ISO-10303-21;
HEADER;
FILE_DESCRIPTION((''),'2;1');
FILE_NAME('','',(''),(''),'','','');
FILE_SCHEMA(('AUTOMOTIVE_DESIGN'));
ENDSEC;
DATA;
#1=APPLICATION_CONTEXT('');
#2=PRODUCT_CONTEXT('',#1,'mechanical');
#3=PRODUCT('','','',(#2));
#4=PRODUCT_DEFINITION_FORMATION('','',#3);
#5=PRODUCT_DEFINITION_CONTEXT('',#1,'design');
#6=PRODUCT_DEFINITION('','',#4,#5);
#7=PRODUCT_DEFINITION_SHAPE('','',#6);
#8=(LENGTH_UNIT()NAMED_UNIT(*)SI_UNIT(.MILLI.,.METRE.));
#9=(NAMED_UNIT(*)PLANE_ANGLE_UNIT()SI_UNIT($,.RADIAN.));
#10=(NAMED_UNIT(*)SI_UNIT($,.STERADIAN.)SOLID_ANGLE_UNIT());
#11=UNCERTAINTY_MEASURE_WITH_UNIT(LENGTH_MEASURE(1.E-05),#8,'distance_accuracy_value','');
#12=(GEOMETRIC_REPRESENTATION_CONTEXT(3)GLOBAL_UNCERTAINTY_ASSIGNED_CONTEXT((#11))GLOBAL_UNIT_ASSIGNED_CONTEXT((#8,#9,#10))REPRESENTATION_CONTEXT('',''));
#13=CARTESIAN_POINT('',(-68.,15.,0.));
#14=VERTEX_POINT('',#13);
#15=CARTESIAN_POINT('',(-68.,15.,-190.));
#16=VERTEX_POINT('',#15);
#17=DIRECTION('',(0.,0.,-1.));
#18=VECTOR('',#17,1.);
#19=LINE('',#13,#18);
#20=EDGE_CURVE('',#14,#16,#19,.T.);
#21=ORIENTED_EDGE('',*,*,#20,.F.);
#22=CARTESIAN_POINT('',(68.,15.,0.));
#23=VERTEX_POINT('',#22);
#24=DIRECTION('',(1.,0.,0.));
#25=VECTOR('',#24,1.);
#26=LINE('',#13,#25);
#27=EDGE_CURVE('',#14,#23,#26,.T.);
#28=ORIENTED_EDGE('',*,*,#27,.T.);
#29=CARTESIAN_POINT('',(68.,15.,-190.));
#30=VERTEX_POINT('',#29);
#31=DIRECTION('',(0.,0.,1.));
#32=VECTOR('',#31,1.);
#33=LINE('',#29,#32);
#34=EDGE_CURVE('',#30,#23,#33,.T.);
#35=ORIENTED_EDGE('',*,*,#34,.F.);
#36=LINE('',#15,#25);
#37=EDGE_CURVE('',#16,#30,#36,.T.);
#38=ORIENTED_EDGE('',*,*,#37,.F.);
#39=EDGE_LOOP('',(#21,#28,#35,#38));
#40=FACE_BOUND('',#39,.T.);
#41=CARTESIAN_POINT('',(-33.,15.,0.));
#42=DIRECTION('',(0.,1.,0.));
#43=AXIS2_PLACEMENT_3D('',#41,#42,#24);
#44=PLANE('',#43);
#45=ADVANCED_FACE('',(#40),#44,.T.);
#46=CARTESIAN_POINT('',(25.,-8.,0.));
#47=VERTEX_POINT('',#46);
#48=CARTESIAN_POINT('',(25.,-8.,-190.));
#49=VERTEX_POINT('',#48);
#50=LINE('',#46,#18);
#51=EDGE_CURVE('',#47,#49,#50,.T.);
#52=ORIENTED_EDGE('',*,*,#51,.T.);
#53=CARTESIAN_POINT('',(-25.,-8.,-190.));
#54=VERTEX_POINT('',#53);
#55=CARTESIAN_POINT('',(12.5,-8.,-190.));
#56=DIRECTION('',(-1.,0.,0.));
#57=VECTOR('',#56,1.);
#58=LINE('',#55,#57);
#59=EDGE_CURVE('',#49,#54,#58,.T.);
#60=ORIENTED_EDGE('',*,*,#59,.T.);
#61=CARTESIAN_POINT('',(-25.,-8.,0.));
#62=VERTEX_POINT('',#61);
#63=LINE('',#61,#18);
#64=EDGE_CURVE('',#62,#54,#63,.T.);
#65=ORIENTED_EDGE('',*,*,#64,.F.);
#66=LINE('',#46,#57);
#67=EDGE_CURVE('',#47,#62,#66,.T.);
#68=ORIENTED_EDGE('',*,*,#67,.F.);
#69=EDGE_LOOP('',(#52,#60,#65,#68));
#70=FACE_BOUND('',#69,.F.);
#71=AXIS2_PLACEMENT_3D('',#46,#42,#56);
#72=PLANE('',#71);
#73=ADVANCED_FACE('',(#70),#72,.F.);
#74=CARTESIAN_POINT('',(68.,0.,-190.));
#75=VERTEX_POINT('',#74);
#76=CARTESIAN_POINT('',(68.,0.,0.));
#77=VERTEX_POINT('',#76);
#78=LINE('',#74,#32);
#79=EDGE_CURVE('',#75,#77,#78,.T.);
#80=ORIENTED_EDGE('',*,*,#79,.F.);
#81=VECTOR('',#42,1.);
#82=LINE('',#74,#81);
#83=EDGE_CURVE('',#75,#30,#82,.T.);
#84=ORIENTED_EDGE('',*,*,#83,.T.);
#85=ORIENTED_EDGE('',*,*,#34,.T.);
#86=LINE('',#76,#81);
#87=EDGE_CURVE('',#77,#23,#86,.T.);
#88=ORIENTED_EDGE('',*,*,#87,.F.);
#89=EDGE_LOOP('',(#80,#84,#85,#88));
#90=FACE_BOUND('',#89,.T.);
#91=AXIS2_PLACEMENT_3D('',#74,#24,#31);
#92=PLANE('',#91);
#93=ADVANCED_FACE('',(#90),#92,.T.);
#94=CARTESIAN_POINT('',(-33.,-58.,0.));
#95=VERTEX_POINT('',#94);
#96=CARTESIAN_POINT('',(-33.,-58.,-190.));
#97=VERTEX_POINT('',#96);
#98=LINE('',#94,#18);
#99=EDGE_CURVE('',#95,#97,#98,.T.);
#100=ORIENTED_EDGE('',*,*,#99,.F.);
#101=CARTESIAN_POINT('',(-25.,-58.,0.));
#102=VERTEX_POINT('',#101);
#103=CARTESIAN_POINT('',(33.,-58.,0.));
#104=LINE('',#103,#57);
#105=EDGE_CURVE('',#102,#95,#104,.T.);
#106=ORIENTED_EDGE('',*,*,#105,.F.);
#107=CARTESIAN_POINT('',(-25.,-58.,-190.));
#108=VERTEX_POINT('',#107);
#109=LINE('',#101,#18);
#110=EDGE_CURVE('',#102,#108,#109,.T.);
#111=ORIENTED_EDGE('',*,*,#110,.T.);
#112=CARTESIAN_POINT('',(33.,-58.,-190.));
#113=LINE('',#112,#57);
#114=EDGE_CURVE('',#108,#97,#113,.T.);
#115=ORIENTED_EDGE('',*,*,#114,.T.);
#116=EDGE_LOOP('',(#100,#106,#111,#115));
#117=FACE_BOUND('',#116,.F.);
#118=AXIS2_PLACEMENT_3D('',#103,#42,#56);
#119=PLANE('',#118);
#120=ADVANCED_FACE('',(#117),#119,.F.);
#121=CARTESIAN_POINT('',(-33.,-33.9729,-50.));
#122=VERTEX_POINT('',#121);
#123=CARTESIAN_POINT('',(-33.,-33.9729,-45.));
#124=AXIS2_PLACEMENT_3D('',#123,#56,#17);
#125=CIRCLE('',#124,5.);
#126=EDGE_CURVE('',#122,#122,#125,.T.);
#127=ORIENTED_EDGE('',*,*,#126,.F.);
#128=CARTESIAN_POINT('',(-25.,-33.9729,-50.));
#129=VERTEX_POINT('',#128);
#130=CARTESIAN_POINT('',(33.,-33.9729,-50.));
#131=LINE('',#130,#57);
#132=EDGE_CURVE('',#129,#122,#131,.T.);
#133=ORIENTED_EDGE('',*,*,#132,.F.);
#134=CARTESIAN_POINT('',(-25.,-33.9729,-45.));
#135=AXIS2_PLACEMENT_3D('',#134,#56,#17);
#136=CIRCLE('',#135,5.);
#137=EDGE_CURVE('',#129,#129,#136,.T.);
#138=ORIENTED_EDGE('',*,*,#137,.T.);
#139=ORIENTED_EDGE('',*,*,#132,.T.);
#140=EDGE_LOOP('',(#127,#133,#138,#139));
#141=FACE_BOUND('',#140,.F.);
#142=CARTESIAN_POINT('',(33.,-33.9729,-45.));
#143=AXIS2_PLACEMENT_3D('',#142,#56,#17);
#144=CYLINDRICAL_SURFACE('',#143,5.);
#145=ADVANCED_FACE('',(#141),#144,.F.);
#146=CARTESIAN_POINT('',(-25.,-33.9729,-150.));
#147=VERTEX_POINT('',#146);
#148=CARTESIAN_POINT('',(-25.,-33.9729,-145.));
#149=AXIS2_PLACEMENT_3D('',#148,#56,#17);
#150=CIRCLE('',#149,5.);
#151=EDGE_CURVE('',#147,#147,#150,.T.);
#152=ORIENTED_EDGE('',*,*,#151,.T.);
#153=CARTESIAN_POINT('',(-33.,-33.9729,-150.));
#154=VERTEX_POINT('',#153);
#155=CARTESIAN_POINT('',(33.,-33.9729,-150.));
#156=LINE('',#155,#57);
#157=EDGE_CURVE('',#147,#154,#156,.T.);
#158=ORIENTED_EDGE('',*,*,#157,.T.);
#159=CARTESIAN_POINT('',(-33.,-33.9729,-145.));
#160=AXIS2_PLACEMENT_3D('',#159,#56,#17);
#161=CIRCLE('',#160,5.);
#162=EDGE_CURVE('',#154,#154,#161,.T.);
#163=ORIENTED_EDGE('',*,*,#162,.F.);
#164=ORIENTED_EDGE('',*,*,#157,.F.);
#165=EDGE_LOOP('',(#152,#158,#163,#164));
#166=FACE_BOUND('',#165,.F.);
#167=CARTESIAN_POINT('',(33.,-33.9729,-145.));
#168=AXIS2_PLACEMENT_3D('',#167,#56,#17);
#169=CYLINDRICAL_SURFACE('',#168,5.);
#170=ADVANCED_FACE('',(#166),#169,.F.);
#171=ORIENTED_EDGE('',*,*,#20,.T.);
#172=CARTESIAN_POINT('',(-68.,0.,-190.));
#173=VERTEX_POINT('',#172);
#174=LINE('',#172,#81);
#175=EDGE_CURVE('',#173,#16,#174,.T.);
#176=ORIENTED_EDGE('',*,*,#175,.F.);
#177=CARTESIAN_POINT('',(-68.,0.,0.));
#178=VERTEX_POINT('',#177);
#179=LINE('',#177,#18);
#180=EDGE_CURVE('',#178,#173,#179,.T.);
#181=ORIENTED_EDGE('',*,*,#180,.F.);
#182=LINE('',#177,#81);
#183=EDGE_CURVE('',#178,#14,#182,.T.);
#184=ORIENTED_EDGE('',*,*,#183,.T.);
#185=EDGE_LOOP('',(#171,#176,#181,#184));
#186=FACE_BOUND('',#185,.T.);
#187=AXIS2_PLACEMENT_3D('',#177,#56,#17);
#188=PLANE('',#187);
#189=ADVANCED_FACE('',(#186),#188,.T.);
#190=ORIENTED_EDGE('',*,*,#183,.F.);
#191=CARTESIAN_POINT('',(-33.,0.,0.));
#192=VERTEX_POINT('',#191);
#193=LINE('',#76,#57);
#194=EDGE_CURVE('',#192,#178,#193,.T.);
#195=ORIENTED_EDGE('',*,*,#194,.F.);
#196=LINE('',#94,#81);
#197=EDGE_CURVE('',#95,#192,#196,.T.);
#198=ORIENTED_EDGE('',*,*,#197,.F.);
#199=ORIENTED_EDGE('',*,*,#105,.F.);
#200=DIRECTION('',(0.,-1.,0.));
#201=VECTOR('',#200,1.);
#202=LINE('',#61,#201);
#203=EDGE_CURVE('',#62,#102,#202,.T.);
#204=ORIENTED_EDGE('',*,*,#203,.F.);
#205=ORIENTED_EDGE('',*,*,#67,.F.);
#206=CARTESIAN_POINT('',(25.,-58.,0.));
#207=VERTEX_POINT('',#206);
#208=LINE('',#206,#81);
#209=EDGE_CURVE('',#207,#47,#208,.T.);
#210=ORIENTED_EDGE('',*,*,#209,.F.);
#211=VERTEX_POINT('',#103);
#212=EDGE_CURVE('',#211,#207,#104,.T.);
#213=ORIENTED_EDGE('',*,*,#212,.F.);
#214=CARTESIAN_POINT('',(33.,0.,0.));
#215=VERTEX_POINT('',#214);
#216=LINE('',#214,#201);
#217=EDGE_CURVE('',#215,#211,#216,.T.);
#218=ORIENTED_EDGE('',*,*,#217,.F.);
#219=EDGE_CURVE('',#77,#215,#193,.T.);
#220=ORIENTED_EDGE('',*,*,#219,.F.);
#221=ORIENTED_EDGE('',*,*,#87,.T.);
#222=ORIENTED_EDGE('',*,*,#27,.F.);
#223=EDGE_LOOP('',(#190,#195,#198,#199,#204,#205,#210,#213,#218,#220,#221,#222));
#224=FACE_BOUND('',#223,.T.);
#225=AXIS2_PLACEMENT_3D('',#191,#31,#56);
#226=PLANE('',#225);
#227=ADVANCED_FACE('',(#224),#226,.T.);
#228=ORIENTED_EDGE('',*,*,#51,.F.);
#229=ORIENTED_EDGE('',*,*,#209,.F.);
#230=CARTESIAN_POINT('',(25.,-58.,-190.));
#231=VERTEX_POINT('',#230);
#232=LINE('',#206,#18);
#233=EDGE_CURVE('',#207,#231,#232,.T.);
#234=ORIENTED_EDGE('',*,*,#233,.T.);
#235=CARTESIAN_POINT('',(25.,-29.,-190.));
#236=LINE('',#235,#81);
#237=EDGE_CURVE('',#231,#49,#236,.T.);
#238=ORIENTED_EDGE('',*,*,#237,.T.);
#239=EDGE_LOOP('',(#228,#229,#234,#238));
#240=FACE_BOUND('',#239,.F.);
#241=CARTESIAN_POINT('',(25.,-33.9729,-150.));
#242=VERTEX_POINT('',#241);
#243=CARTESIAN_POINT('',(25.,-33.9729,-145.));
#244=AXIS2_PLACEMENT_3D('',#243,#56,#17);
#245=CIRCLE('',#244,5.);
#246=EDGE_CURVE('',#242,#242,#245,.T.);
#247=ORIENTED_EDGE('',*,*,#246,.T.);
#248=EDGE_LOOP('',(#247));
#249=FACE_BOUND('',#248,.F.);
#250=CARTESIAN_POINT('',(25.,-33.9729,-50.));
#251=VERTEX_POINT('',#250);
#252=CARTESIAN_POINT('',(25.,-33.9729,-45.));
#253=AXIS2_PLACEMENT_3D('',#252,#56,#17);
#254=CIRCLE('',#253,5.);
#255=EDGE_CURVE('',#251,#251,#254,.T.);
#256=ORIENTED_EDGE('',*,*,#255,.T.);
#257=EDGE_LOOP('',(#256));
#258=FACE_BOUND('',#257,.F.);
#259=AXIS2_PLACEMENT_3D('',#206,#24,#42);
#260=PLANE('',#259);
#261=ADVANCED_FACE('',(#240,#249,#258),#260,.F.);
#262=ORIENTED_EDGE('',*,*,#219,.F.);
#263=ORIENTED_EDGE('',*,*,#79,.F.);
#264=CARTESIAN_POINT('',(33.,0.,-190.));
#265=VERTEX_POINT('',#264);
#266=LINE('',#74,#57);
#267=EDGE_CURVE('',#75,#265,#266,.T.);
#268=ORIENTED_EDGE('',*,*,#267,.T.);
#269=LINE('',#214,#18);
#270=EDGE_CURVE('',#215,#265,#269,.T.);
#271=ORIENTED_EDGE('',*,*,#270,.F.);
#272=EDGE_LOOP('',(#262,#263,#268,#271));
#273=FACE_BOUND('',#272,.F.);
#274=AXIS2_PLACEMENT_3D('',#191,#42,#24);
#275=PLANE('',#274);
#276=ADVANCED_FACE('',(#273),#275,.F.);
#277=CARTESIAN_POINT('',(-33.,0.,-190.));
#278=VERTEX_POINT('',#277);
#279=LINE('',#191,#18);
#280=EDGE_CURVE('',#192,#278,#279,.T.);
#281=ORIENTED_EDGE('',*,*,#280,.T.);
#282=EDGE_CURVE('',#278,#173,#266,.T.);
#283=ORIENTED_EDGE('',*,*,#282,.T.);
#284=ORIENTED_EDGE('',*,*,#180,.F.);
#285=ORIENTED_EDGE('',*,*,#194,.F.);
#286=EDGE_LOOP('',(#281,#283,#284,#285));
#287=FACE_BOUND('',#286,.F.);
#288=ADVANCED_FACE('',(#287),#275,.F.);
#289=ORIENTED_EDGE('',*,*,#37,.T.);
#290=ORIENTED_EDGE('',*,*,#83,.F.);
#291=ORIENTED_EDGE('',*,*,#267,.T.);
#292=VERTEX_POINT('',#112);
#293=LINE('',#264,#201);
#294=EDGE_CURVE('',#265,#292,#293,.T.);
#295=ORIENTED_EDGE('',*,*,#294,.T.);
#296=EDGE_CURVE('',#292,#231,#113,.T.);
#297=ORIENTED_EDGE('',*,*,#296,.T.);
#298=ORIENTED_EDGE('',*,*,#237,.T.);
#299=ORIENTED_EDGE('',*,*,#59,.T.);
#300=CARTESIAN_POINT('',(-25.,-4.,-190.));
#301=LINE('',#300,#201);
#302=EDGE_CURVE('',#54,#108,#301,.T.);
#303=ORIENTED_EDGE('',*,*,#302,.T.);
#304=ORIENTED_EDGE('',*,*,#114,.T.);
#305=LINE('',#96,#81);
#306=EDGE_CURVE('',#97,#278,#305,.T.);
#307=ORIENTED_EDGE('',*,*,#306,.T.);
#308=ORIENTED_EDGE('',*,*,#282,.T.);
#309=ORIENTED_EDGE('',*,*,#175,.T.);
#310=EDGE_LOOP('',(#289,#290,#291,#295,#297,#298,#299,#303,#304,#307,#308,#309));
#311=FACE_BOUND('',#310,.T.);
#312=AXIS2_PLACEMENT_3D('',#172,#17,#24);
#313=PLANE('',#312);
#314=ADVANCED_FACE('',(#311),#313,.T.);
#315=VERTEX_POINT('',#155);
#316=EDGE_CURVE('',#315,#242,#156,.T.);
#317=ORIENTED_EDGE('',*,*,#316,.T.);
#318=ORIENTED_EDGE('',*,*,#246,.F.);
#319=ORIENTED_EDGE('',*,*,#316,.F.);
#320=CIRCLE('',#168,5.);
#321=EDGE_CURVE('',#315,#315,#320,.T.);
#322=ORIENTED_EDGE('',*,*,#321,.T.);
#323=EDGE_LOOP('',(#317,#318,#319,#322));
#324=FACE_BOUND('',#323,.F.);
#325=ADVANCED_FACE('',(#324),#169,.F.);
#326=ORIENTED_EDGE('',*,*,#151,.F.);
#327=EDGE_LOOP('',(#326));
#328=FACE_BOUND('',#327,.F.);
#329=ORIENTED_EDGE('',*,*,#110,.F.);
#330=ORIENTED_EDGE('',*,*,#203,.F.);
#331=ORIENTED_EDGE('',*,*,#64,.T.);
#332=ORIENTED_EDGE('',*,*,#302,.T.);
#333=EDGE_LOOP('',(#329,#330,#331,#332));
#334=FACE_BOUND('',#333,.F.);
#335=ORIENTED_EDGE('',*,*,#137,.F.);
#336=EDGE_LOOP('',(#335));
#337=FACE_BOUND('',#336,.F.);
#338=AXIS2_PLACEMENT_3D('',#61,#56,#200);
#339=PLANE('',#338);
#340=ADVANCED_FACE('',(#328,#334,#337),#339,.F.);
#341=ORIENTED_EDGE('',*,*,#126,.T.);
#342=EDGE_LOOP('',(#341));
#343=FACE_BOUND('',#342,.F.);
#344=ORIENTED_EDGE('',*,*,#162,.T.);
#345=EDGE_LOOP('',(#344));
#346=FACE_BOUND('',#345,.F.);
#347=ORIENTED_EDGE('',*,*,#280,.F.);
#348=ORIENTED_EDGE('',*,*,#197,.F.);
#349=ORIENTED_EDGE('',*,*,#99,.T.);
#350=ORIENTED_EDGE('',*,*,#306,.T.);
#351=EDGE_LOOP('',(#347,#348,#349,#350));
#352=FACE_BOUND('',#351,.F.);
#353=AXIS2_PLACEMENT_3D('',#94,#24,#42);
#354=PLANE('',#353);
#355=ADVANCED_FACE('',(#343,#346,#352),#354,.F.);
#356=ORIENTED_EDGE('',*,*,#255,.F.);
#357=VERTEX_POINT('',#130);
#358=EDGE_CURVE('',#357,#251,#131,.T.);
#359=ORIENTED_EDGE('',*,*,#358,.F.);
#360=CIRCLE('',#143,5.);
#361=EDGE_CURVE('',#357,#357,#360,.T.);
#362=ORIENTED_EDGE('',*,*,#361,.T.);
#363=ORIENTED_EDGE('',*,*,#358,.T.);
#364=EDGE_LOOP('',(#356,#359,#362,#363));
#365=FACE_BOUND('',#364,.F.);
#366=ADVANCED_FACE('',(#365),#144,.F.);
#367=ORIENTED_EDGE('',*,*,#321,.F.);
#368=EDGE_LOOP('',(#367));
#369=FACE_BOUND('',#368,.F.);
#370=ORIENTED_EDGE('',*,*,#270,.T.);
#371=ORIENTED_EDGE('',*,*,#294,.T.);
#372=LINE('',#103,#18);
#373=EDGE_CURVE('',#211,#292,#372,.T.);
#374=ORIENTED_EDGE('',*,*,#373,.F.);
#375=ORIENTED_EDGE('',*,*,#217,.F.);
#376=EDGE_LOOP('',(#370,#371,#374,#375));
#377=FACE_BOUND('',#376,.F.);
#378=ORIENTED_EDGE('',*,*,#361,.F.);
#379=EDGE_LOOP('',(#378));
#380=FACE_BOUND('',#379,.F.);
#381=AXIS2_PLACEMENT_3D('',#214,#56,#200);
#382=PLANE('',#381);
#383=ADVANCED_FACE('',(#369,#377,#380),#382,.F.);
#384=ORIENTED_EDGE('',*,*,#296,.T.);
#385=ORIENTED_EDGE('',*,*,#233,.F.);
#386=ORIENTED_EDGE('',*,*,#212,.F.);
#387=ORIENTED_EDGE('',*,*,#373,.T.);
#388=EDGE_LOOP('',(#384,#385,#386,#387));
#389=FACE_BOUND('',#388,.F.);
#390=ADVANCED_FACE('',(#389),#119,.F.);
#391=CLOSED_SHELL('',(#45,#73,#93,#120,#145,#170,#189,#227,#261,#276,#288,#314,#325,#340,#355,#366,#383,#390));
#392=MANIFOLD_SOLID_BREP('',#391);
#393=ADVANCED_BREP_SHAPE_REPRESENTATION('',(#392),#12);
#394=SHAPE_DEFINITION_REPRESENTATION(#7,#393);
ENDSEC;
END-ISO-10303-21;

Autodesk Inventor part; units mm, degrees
ref_plane "YZ Plane" through (0, 0, 0) normal (1, 0, 0) x (0, 1, 0)
ref_plane "XZ Plane" through (0, 0, 0) normal (0, 1, 0) x (-1, 0, 0)
ref_plane "XY Plane" through (0, 0, 0) normal (0, 0, 1) x (1, 0, 0)
sketch "Sketch1" plane through (0, 0, 0) normal (0, 0, 1) x (1, 0, 0)
  line L0 (-33, 0) -> (33, 0)
  line L1 (33, 0) -> (33, -58)
  line L2 (33, -58) -> (-33, -58)
  line L3 (-33, -58) -> (-33, 0)
  point P0 (0, 0)
  dimension "d0" = 58
  dimension "d1" = 66
  dimension "d2" = 33
  dimension "d3" = 0
extrude "clamp_base" add sketch "Sketch1" against normal blind 190
sketch "Sketch2" plane through (0, 0, 0) normal (0, 0, 1) x (1, 0, 0)
  line L0 (-25, -58) -> (25, -58)
  line L1 (25, -58) -> (25, -8)
  line L2 (25, -8) -> (-25, -8)
  line L3 (-25, -8) -> (-25, -58)
  line L4 (-33, -58) -> (33, -58) projected
  point P0 (0, 0)
  dimension "d6" = 50
  dimension "d7" = 50
  dimension "d8" = 25
extrude "clamp_extrusion" cut sketch "Sketch2" against normal through all
sketch "Sketch4" plane through (-33, 0, 0) normal (0, 1, 0) x (1, 0, 0)
  line L0 (-35, 190) -> (101, 190)
  line L1 (101, 190) -> (101, 0)
  line L2 (101, 0) -> (-35, 0)
  line L3 (-35, 0) -> (-35, 190)
  line L4 (66, 0) -> (0, 0) projected
  line L5 (0, 190) -> (66, 190) projected
  line L6 (0, 0) -> (0, 190) projected
  line L7 (66, 0) -> (66, 190) projected
  point P0 (33, 0)
  dimension "d35" = 0
  dimension "d36" = 0
  dimension "d37" = 35
  dimension "d38" = 35
extrude "platform" add sketch "Sketch4" along normal blind 15
sketch "Sketch8" plane through (33, -58, 0) normal (1, 0, 0) x (0, 0, -1)
  line L0 (0, 0) -> (0, 58) projected
  line L1 (190, 58) -> (190, 0) projected
  point P0 (45, 24.0271)
  point P1 (145, 24.0271)
  dimension "d51" = 45
  dimension "d60" = 100
  dimension "d61" = 190
hole "clampHole" at (33, -33.9729, -45) at (33, -33.9729, -145) direction (-1, 0, 0) diameter 10 end through all
equation "\"d0\" = support_frame_squareBarDimension + support_baseClamp_thickness"
equation "\"d1\" = support_frame_squareBarDimension + 2 * support_baseClamp_thickness"
equation "\"d2\" = 0.5 * d1"
equation "\"d4\" = width"
equation "\"d6\" = support_frame_squareBarDimension"
equation "\"d7\" = support_frame_squareBarDimension"
equation "\"d8\" = 0.5 * d6"
equation "\"d37\" = support_baseClamp_platformLengthBuffer"
equation "\"d38\" = support_baseClamp_platformLengthBuffer"
equation "\"d13\" = support_baseClamp_platformThickness"
equation "\"d51\" = -0.5 * d60 + 0.5 * d61"
equation "\"d60\" = clampHoleSpacing"
equation "\"d53\" = clampHoleDiameter"
equation "\"width\" = clampHoleDiameter + clampHoleSpacing + 2 * buffer"
equation "\"clampHoleSpacing\" = support_frame_clampHoleSpacing"
equation "\"clampHoleDiameter\" = support_frame_clampHoleDiameter"
equation "\"sleeveHoleDiameter\" = support_baseClamp_sleeveHoleDiameter"
equation "\"theta\" = hoop_angle_z"
equation "\"phi\" = support_baseClamp_sleeveSweepTerminationAngle"
equation "\"support_frame_squareBarDimension\" = 50"
equation "\"support_baseClamp_thickness\" = 8"
equation "\"support_baseClamp_sleeveHoleDiameter\" = 12"
equation "\"hoop_angle_z\" = 45deg"
equation "\"support_baseClamp_sleeveSweepTerminationAngle\" = 55deg"
equation "\"support_baseClamp_platformThickness\" = 15"
equation "\"support_baseClamp_platformWidthBuffer\" = 0"
equation "\"support_baseClamp_platformLengthBuffer\" = 35"
equation "\"rack_tooth_thickness\" = 5"
equation "\"rack_tooth_addendum\" = 5"
equation "\"rack_tooth_dedendum\" = 5"
equation "\"hoop_bearing_length\" = 5deg"
equation "\"hoop_cable_diam\" = 5"
equation "\"hoop_cable_pulley_diam\" = 22"
equation "\"secure_arm_radii\" = 9"
equation "\"secure_arm_hold_length\" = 35"
equation "\"secure_arm_angle\" = 20deg"
equation "\"support_frame_endHoleBuffer\" = 25"
equation "\"hoop_tabs_thickness\" = 6"
equation "\"support_frame_squareBarThickness\" = 5"
equation "\"wheelchair_deployed_length\" = 1067"
equation "\"wheelchair_deployed_height\" = 914"
equation "\"hoop_tabs_hole\" = 12"
equation "\"wheelchair_deployed_width\" = 635"
equation "\"support_frame_squareBarFillet\" = 2"
equation "\"sm_varx_pinPlate_thickness\" = 5"
equation "\"sm_varx_member_tolerance\" = 0.5"
equation "\"sm_varx_pinPlate_holeDiameter\" = 5"
equation "\"sm_varx_squareBarThickness\" = 2.5"
equation "\"buffer\" = 40"
equation "\"support_frame_clampHoleSpacing\" = 100"
equation "\"support_frame_clampHoleDiameter\" = 10"
properties part number "support_basePart_nosleeve" material "Steel, High Strength, Low Alloy"
